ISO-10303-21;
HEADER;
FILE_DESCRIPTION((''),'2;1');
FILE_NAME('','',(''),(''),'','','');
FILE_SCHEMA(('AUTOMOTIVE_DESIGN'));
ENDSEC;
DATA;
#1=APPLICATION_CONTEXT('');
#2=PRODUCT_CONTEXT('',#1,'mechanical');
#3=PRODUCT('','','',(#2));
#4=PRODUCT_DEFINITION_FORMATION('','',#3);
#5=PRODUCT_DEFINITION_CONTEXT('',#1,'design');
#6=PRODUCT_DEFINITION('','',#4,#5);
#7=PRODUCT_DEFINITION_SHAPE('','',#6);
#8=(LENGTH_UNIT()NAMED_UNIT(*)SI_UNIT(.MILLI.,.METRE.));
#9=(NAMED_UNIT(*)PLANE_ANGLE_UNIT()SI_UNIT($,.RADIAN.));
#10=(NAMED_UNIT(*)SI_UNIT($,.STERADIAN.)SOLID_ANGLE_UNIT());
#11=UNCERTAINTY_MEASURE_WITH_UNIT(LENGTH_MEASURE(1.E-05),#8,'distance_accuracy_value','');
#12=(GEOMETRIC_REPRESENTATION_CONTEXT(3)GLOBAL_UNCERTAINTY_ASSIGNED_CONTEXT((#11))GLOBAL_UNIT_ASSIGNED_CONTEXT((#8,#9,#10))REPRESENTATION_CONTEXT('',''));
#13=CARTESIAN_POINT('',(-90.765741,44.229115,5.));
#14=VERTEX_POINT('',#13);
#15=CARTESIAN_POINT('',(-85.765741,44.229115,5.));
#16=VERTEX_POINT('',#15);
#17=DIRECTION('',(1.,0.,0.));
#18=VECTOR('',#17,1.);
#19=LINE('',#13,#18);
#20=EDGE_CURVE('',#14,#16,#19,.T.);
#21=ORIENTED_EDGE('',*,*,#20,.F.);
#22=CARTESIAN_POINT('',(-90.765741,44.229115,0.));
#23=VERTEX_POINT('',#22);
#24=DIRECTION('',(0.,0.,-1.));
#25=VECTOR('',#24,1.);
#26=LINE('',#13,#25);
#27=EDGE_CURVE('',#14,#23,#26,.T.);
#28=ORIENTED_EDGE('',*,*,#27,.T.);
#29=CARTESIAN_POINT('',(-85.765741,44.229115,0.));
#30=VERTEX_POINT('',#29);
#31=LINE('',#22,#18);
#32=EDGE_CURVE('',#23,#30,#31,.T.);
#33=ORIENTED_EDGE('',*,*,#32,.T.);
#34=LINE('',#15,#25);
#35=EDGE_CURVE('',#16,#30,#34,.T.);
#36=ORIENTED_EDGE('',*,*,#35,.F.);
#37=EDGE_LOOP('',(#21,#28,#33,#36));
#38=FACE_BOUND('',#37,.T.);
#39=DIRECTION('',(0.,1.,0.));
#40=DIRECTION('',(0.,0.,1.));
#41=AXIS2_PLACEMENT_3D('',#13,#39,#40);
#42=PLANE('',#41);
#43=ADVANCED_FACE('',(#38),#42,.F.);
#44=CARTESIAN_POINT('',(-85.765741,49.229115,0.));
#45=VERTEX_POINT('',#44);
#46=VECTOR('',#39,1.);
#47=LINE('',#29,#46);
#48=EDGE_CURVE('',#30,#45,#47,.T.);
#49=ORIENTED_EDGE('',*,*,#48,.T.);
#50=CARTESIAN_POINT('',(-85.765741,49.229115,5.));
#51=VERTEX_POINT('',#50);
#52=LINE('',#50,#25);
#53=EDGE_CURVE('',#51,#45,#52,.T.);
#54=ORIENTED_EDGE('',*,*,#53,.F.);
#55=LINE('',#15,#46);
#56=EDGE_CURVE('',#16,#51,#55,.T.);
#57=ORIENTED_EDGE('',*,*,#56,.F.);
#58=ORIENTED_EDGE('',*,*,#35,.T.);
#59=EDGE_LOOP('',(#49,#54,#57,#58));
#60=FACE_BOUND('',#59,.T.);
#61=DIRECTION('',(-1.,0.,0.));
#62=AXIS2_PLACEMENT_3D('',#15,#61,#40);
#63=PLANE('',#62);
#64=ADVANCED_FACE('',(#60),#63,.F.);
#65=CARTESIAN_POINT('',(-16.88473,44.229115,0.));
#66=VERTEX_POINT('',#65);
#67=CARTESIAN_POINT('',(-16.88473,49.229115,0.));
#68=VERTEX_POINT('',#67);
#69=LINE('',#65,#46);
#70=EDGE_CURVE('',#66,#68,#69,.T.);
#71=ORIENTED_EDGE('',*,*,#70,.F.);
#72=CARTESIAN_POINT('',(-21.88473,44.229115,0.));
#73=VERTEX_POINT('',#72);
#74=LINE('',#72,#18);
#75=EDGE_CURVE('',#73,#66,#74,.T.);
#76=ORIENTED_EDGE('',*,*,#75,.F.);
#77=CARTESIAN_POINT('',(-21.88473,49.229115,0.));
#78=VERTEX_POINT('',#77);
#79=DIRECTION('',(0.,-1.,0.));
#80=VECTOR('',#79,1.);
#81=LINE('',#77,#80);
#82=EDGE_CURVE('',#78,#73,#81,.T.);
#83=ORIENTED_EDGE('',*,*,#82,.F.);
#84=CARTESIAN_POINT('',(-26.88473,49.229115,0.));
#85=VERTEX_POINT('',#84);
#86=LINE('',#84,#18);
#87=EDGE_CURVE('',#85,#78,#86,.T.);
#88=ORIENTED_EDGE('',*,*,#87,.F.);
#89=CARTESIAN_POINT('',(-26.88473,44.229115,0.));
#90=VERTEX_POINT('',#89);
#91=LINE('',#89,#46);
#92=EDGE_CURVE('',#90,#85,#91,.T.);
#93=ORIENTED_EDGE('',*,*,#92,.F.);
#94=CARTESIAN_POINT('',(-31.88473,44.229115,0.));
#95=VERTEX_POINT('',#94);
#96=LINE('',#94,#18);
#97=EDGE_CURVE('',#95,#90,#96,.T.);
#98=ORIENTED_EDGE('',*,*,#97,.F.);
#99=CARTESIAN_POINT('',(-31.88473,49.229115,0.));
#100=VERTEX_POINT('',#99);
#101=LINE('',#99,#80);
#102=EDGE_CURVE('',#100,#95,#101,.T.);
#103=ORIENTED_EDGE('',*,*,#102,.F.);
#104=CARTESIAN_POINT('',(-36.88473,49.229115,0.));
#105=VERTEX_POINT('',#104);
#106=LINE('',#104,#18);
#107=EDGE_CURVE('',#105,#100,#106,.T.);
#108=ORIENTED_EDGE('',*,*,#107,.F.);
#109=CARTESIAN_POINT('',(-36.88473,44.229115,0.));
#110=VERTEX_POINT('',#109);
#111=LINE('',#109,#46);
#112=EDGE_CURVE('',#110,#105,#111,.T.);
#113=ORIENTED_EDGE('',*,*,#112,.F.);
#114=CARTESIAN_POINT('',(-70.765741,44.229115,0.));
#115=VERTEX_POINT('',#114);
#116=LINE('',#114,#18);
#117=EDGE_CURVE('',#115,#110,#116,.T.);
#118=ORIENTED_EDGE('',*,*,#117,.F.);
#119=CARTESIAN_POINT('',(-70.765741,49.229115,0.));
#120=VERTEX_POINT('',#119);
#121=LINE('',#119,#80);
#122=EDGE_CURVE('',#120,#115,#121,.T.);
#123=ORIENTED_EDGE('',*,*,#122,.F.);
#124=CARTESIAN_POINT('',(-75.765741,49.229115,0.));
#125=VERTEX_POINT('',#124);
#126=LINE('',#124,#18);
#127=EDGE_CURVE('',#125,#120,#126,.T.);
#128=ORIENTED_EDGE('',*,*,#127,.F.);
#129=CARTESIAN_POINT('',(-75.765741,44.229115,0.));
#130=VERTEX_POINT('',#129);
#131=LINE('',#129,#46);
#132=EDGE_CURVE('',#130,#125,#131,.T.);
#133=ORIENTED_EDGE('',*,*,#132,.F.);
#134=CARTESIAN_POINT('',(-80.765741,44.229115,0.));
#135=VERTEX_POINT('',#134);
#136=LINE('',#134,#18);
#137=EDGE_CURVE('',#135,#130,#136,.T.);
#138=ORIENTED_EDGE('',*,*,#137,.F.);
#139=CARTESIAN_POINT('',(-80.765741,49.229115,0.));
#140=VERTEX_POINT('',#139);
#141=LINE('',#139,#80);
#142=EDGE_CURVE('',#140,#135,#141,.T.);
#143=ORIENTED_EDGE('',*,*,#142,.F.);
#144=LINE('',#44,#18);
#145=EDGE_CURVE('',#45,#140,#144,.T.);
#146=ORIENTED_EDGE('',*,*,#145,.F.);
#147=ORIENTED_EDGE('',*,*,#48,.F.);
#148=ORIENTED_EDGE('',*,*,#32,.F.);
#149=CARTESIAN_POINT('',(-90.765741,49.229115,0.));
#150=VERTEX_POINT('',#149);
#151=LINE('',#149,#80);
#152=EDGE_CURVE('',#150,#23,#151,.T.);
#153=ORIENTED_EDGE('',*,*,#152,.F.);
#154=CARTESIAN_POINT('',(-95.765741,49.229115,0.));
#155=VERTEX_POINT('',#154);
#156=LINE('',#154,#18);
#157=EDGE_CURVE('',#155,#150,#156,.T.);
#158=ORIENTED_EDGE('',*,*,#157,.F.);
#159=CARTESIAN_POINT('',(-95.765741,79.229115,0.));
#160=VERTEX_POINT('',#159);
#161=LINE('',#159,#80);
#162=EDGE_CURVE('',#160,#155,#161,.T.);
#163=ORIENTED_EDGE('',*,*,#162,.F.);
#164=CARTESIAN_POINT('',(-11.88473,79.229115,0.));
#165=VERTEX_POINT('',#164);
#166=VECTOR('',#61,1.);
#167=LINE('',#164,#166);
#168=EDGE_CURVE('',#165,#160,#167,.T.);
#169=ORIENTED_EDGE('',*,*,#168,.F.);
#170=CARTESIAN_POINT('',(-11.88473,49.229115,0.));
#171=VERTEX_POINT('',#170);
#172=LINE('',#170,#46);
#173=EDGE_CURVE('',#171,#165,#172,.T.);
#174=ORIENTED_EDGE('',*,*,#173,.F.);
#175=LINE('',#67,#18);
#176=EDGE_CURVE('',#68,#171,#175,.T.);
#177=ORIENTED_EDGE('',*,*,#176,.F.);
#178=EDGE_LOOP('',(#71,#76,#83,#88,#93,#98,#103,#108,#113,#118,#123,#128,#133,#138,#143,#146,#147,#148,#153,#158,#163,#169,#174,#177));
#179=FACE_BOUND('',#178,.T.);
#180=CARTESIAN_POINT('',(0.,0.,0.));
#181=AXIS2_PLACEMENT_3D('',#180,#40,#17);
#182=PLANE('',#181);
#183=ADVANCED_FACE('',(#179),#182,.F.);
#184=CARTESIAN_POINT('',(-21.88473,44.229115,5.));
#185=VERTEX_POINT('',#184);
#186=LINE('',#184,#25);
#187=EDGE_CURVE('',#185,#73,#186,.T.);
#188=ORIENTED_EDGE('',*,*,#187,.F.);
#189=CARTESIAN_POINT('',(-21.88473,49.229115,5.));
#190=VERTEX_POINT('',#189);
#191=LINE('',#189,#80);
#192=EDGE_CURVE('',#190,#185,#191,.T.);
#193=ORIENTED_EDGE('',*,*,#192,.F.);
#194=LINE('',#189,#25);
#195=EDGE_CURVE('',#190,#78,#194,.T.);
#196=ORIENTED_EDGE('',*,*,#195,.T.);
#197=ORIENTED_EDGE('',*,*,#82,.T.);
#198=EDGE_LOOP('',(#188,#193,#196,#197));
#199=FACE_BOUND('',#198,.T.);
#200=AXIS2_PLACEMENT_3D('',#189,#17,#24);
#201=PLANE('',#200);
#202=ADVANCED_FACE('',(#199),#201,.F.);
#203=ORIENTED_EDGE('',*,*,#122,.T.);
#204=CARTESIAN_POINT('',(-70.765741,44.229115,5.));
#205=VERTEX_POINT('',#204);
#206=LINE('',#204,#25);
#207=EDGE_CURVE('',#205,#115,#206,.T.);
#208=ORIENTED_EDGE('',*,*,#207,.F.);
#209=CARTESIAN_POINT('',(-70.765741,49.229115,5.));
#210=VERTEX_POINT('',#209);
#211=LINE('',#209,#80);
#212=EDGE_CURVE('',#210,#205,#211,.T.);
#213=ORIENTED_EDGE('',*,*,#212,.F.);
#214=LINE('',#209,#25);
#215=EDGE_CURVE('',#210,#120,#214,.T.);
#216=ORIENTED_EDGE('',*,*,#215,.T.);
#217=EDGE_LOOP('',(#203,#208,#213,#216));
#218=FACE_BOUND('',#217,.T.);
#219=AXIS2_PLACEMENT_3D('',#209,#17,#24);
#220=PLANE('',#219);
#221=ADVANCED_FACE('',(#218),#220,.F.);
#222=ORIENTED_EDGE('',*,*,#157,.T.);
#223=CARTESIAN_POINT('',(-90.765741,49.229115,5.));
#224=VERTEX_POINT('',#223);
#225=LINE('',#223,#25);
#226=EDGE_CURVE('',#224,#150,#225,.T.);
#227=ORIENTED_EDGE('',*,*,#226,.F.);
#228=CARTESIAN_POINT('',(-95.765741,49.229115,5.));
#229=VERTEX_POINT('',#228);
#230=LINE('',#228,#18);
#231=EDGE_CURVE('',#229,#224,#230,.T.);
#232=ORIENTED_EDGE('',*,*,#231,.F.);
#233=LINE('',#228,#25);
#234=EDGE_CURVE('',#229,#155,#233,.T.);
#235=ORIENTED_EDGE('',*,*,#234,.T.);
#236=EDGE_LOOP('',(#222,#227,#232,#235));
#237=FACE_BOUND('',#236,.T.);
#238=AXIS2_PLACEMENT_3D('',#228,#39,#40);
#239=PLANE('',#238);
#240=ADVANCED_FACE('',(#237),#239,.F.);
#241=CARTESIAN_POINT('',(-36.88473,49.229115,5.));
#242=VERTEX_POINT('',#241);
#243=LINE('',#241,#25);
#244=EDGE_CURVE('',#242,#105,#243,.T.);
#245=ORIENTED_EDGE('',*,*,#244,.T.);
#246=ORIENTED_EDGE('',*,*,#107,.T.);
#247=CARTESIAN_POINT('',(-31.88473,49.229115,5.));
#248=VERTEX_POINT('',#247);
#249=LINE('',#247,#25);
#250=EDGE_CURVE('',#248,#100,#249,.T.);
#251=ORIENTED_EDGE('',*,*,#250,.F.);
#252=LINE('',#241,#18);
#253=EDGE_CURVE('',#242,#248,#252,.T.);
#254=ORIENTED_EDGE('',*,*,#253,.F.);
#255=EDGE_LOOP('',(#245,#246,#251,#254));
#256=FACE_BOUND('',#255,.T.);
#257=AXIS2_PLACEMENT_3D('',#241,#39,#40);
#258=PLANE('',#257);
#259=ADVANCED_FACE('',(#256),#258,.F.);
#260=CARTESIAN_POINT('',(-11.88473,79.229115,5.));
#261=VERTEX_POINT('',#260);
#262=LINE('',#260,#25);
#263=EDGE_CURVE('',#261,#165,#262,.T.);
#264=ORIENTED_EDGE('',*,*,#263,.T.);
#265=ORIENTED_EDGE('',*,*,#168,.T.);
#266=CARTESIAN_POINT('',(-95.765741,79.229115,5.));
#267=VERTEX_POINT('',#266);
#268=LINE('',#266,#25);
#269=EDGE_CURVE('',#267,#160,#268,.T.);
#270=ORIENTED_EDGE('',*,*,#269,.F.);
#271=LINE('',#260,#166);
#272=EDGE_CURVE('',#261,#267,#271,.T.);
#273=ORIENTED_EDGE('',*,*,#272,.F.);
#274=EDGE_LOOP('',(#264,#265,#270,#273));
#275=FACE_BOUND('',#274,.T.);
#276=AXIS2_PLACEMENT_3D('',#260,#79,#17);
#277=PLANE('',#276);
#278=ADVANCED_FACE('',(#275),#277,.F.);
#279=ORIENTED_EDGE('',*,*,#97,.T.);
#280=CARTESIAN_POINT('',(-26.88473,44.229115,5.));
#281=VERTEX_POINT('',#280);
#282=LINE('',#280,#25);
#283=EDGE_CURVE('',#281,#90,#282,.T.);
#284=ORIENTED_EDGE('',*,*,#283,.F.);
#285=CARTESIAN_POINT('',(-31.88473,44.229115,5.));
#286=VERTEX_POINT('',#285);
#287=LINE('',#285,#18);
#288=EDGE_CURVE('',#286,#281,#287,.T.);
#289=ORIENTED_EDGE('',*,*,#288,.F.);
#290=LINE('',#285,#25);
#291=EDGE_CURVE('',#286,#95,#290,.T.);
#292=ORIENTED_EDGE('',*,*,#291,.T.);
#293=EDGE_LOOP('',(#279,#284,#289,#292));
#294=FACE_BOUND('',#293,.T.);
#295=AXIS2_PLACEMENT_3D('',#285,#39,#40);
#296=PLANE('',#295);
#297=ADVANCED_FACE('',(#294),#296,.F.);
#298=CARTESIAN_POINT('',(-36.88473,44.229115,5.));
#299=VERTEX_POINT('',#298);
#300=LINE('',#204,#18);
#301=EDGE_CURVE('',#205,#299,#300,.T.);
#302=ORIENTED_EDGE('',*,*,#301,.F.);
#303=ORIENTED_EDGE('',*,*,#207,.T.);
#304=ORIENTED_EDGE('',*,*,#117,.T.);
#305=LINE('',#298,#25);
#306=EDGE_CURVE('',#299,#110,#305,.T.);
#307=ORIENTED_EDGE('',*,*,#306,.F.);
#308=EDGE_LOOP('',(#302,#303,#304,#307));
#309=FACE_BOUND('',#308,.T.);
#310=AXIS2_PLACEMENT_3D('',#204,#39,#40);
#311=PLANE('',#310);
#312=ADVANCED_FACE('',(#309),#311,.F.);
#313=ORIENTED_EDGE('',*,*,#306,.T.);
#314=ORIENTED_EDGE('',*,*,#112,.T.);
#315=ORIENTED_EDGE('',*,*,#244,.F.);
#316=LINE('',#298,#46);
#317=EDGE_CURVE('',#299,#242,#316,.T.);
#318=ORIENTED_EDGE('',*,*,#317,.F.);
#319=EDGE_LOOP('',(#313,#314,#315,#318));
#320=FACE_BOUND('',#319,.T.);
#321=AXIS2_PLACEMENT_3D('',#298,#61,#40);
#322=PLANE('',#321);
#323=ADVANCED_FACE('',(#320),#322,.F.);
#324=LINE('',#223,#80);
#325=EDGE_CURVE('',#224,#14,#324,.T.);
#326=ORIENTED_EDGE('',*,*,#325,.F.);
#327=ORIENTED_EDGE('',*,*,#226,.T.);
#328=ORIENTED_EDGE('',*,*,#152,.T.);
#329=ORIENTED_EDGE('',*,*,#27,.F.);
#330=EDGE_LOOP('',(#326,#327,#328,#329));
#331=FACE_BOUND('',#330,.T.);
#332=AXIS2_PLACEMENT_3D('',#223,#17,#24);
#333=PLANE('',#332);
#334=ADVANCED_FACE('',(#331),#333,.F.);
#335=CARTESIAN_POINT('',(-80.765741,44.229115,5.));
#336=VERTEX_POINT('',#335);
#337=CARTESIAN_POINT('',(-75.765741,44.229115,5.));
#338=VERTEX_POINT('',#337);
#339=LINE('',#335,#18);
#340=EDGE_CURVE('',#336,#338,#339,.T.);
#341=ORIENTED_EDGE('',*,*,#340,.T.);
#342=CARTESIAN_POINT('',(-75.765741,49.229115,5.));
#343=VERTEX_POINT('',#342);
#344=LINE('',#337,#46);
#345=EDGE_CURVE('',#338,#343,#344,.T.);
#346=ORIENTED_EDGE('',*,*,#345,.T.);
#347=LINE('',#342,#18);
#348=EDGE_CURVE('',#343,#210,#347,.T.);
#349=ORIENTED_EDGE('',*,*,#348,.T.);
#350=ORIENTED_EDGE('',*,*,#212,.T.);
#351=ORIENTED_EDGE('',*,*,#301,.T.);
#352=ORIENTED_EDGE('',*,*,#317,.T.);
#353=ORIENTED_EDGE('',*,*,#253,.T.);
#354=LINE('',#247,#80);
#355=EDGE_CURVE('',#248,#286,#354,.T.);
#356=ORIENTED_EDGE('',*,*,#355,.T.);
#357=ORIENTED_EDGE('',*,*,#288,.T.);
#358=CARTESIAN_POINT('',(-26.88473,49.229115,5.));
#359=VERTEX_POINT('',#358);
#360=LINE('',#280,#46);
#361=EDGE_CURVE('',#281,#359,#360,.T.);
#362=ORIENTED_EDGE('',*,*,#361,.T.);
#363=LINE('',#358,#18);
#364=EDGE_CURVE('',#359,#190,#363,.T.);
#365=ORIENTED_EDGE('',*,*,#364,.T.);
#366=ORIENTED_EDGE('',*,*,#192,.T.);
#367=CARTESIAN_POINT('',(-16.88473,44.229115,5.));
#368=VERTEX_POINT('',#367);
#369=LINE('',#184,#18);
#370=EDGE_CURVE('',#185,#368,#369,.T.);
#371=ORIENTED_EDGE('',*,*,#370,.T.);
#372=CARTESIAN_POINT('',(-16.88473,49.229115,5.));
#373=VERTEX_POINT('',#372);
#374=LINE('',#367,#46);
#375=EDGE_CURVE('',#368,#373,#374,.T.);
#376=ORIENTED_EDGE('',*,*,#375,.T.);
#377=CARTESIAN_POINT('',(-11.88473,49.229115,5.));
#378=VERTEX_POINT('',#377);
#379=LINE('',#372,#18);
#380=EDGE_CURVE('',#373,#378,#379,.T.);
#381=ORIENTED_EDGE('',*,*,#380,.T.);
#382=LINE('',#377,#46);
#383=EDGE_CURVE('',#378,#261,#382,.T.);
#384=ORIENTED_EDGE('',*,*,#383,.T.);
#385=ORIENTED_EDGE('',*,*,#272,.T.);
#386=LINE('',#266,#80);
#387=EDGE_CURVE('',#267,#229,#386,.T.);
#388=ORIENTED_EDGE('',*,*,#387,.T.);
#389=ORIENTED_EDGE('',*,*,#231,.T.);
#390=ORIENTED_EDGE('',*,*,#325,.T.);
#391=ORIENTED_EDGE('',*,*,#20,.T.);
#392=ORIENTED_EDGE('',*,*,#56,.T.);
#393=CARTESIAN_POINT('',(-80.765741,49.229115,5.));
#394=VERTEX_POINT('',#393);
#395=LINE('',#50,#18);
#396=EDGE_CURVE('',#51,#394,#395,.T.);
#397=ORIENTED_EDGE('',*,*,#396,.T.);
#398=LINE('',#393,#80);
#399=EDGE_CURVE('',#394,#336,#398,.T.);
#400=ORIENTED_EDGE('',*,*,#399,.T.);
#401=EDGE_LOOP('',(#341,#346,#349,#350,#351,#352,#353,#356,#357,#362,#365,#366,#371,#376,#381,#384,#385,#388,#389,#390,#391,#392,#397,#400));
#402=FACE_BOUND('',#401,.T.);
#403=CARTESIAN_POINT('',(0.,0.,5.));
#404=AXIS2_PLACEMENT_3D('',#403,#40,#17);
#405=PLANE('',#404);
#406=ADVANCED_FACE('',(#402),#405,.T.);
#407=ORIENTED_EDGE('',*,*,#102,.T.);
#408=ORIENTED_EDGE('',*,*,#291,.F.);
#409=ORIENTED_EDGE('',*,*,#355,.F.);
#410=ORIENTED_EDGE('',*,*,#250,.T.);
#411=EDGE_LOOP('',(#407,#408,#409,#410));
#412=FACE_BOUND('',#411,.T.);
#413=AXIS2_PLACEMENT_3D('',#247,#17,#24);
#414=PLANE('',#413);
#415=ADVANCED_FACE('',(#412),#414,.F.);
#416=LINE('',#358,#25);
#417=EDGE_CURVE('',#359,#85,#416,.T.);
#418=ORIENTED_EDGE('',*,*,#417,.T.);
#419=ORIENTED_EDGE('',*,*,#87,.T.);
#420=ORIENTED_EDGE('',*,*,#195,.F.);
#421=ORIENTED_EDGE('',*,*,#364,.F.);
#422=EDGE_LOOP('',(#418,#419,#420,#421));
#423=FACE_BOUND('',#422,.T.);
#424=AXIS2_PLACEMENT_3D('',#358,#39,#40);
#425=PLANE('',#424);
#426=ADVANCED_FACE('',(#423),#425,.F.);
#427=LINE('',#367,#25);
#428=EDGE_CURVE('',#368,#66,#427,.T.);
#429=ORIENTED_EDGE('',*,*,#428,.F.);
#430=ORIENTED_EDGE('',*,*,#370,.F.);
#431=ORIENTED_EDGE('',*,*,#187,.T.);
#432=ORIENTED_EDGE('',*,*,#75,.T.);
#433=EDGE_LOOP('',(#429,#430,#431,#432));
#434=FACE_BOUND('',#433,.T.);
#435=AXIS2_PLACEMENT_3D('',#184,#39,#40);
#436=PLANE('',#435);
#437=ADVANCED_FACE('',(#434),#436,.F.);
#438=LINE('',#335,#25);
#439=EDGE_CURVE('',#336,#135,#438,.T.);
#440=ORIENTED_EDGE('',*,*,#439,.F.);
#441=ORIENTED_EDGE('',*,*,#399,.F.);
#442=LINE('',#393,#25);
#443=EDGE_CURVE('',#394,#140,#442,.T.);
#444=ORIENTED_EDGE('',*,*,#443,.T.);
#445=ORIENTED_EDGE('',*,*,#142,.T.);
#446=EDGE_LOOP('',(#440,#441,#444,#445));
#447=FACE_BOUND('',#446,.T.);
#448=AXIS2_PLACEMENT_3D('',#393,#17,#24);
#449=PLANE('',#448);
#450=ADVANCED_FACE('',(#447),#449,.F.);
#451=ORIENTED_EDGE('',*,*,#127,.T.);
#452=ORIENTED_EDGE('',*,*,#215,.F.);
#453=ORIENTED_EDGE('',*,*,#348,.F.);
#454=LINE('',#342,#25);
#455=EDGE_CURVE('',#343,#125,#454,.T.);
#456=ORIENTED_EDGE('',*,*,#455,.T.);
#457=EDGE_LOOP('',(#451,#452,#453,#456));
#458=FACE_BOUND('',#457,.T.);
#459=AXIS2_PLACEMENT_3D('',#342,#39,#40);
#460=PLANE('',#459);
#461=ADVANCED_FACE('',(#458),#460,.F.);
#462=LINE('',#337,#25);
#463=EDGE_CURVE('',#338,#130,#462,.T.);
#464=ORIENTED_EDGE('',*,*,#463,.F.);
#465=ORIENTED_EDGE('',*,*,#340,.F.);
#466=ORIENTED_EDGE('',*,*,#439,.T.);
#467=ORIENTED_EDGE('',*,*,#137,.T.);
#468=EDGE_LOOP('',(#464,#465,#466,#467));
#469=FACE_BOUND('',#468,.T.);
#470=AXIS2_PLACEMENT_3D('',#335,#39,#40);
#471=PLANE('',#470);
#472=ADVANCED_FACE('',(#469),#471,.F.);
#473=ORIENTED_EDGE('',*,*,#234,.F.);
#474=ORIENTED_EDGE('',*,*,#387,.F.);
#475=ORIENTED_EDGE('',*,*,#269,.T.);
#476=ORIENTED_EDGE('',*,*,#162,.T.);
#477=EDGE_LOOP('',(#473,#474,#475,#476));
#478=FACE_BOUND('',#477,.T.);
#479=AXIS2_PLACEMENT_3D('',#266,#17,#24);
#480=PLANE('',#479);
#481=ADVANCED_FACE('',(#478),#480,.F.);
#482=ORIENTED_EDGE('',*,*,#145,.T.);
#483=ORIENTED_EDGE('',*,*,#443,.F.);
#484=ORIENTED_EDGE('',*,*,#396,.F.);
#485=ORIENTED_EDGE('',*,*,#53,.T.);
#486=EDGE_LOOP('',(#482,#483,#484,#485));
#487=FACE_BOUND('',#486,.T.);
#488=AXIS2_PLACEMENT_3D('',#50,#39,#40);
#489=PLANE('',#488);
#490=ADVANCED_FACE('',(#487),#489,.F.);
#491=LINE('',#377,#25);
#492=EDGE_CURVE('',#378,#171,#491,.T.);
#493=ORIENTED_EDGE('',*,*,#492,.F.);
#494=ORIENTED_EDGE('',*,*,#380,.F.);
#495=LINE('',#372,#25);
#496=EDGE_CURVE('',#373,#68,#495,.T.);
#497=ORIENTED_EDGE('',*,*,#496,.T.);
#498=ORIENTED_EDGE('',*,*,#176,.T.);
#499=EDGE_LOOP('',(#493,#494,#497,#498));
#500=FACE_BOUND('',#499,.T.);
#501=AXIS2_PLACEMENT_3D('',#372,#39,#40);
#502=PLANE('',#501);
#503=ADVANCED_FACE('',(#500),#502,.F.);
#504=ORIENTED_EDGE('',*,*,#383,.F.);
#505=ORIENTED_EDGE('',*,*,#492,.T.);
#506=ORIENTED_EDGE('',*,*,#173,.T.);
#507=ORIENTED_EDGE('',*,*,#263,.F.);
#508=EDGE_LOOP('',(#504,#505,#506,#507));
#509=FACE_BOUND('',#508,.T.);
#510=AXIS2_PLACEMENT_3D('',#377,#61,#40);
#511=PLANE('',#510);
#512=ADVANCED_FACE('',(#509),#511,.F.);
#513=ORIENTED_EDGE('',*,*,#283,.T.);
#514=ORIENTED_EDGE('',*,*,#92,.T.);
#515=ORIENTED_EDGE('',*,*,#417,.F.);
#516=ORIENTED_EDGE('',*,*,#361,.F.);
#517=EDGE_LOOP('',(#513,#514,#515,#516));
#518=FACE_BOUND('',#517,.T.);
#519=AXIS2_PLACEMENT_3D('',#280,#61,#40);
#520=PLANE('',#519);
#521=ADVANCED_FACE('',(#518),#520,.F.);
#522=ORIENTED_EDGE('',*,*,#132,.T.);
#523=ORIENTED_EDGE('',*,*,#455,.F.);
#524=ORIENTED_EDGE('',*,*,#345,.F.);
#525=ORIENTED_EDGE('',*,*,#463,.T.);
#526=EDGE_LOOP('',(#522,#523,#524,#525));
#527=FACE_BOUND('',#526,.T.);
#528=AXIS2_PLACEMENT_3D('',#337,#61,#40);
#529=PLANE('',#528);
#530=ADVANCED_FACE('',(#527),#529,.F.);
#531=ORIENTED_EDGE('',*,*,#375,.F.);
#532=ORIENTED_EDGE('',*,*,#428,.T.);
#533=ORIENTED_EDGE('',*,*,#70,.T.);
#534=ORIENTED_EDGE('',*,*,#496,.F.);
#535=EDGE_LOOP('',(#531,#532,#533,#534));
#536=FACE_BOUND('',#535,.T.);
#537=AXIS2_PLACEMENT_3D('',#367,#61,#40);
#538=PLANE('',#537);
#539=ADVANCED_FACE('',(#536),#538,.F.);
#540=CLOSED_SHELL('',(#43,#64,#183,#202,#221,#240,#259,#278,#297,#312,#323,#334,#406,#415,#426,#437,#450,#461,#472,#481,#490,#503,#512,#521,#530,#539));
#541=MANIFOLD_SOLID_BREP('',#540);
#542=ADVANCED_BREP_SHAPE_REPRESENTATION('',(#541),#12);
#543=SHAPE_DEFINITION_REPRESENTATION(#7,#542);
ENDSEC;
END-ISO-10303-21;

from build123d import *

# Parameters (mm, degrees)
BOSS_EXTRU_1_DEPTH = 5


with BuildPart() as part:
    # Esquisse1 → Boss.-Extru.1 (new body)
    with BuildSketch(Plane.XY):
        Polygon((-95.76574078, 49.22911508), (-90.76574078, 49.22911508), (-90.76574078, 44.22911508), (-85.76574078, 44.22911508), (-85.76574078, 49.22911508), (-80.76574078, 49.22911508), (-80.76574078, 44.22911508), (-75.76574078, 44.22911508), (-75.76574078, 49.22911508), (-70.76574078, 49.22911508), (-70.76574078, 44.22911508), (-36.884730398, 44.22911508), (-36.884730398, 49.22911508), (-31.884730398, 49.22911508), (-31.884730398, 44.22911508), (-26.884730398, 44.22911508), (-26.884730398, 49.22911508), (-21.884730398, 49.22911508), (-21.884730398, 44.22911508), (-16.884730398, 44.22911508), (-16.884730398, 49.22911508), (-11.884730398, 49.22911508), (-11.884730398, 79.22911508), (-95.76574078, 79.22911508), align=None)
    extrude(amount=BOSS_EXTRU_1_DEPTH)


solid = part.part
